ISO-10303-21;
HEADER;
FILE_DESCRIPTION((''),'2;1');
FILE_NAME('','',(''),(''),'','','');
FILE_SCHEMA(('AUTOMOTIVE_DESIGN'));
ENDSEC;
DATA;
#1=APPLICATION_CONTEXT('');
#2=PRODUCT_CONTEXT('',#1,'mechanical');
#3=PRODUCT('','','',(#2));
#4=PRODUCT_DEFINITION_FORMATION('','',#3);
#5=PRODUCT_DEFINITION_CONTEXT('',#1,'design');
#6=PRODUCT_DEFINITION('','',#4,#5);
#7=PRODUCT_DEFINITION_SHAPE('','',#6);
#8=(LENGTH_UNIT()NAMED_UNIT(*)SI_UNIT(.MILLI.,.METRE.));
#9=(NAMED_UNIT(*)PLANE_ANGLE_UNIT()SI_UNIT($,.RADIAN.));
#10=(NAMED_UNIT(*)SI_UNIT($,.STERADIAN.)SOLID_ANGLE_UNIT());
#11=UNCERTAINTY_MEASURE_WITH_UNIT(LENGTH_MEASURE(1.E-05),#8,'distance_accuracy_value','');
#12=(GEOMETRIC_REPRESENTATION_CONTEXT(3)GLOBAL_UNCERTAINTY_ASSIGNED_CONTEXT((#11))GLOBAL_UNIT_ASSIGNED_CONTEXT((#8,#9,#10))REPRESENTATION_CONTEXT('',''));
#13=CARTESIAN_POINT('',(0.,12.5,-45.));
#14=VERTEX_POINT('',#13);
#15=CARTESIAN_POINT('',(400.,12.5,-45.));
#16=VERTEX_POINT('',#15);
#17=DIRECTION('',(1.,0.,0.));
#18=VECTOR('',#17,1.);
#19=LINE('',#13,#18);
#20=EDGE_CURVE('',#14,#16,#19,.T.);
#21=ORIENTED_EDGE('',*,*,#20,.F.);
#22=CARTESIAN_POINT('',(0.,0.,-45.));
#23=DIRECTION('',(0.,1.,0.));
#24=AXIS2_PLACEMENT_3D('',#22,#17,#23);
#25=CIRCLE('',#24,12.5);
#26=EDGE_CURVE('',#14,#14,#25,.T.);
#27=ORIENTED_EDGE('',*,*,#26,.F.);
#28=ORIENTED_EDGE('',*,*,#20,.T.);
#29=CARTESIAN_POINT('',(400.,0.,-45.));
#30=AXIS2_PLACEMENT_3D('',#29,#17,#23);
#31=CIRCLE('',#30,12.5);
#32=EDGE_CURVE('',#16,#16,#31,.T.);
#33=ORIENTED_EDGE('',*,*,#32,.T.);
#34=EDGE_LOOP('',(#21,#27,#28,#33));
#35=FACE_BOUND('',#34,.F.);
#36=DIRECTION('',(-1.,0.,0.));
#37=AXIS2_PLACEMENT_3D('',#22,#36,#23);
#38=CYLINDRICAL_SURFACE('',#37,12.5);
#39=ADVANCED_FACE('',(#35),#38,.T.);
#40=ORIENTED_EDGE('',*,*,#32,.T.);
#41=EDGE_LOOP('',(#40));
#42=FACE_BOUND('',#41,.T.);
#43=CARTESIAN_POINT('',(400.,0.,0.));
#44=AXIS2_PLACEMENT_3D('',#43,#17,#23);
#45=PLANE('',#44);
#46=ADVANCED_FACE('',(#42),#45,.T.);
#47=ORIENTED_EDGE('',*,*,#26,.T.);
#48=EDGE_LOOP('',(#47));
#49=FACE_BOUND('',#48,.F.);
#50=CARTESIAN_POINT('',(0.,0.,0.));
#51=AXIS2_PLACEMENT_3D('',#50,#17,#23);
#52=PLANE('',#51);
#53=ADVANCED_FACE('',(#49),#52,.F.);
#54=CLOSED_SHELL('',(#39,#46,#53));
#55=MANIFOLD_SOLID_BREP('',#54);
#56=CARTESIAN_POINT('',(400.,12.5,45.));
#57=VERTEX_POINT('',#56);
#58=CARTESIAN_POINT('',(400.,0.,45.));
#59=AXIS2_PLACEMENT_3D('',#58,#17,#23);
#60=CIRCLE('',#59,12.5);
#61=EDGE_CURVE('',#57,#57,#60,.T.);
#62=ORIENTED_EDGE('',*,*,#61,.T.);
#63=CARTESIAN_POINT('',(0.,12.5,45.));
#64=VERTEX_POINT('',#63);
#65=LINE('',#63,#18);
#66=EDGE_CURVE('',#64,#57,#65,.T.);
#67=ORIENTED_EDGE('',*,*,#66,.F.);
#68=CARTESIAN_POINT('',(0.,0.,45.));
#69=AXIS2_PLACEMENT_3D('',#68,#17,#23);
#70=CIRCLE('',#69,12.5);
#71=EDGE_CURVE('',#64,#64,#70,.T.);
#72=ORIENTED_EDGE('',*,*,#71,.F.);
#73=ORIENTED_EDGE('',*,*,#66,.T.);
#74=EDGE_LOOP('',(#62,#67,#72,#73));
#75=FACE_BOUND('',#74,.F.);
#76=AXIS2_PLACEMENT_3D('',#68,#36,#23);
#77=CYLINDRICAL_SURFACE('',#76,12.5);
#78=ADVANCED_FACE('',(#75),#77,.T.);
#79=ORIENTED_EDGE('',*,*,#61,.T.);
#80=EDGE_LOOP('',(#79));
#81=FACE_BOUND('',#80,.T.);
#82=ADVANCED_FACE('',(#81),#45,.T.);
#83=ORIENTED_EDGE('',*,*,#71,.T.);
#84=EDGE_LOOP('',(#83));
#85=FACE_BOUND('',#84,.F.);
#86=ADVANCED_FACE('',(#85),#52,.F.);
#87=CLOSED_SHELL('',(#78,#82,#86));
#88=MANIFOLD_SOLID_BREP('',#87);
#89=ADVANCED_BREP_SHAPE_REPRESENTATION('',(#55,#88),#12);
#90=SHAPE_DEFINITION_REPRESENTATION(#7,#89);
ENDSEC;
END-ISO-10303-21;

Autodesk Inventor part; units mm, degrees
ref_plane "YZ Plane" through (0, 0, 0) normal (1, 0, 0) x (0, 1, 0)
ref_plane "XZ Plane" through (0, 0, 0) normal (0, 1, 0) x (-1, 0, 0)
ref_plane "XY Plane" through (0, 0, 0) normal (0, 0, 1) x (1, 0, 0)
sketch "Sketch1" plane through (0, 0, 0) normal (1, 0, 0) x (0, 1, 0)
  circle A0 centre (0, 45) radius 12.5
  circle A1 centre (0, -45) radius 12.5
  point P0 (0, 0)
  dimension "d0" = 25
  dimension "d1" = 45
  dimension "d2" = 90
extrude "Extrusion1" add sketch "Sketch1" along normal blind 400
properties part number "Mounting Rods"
